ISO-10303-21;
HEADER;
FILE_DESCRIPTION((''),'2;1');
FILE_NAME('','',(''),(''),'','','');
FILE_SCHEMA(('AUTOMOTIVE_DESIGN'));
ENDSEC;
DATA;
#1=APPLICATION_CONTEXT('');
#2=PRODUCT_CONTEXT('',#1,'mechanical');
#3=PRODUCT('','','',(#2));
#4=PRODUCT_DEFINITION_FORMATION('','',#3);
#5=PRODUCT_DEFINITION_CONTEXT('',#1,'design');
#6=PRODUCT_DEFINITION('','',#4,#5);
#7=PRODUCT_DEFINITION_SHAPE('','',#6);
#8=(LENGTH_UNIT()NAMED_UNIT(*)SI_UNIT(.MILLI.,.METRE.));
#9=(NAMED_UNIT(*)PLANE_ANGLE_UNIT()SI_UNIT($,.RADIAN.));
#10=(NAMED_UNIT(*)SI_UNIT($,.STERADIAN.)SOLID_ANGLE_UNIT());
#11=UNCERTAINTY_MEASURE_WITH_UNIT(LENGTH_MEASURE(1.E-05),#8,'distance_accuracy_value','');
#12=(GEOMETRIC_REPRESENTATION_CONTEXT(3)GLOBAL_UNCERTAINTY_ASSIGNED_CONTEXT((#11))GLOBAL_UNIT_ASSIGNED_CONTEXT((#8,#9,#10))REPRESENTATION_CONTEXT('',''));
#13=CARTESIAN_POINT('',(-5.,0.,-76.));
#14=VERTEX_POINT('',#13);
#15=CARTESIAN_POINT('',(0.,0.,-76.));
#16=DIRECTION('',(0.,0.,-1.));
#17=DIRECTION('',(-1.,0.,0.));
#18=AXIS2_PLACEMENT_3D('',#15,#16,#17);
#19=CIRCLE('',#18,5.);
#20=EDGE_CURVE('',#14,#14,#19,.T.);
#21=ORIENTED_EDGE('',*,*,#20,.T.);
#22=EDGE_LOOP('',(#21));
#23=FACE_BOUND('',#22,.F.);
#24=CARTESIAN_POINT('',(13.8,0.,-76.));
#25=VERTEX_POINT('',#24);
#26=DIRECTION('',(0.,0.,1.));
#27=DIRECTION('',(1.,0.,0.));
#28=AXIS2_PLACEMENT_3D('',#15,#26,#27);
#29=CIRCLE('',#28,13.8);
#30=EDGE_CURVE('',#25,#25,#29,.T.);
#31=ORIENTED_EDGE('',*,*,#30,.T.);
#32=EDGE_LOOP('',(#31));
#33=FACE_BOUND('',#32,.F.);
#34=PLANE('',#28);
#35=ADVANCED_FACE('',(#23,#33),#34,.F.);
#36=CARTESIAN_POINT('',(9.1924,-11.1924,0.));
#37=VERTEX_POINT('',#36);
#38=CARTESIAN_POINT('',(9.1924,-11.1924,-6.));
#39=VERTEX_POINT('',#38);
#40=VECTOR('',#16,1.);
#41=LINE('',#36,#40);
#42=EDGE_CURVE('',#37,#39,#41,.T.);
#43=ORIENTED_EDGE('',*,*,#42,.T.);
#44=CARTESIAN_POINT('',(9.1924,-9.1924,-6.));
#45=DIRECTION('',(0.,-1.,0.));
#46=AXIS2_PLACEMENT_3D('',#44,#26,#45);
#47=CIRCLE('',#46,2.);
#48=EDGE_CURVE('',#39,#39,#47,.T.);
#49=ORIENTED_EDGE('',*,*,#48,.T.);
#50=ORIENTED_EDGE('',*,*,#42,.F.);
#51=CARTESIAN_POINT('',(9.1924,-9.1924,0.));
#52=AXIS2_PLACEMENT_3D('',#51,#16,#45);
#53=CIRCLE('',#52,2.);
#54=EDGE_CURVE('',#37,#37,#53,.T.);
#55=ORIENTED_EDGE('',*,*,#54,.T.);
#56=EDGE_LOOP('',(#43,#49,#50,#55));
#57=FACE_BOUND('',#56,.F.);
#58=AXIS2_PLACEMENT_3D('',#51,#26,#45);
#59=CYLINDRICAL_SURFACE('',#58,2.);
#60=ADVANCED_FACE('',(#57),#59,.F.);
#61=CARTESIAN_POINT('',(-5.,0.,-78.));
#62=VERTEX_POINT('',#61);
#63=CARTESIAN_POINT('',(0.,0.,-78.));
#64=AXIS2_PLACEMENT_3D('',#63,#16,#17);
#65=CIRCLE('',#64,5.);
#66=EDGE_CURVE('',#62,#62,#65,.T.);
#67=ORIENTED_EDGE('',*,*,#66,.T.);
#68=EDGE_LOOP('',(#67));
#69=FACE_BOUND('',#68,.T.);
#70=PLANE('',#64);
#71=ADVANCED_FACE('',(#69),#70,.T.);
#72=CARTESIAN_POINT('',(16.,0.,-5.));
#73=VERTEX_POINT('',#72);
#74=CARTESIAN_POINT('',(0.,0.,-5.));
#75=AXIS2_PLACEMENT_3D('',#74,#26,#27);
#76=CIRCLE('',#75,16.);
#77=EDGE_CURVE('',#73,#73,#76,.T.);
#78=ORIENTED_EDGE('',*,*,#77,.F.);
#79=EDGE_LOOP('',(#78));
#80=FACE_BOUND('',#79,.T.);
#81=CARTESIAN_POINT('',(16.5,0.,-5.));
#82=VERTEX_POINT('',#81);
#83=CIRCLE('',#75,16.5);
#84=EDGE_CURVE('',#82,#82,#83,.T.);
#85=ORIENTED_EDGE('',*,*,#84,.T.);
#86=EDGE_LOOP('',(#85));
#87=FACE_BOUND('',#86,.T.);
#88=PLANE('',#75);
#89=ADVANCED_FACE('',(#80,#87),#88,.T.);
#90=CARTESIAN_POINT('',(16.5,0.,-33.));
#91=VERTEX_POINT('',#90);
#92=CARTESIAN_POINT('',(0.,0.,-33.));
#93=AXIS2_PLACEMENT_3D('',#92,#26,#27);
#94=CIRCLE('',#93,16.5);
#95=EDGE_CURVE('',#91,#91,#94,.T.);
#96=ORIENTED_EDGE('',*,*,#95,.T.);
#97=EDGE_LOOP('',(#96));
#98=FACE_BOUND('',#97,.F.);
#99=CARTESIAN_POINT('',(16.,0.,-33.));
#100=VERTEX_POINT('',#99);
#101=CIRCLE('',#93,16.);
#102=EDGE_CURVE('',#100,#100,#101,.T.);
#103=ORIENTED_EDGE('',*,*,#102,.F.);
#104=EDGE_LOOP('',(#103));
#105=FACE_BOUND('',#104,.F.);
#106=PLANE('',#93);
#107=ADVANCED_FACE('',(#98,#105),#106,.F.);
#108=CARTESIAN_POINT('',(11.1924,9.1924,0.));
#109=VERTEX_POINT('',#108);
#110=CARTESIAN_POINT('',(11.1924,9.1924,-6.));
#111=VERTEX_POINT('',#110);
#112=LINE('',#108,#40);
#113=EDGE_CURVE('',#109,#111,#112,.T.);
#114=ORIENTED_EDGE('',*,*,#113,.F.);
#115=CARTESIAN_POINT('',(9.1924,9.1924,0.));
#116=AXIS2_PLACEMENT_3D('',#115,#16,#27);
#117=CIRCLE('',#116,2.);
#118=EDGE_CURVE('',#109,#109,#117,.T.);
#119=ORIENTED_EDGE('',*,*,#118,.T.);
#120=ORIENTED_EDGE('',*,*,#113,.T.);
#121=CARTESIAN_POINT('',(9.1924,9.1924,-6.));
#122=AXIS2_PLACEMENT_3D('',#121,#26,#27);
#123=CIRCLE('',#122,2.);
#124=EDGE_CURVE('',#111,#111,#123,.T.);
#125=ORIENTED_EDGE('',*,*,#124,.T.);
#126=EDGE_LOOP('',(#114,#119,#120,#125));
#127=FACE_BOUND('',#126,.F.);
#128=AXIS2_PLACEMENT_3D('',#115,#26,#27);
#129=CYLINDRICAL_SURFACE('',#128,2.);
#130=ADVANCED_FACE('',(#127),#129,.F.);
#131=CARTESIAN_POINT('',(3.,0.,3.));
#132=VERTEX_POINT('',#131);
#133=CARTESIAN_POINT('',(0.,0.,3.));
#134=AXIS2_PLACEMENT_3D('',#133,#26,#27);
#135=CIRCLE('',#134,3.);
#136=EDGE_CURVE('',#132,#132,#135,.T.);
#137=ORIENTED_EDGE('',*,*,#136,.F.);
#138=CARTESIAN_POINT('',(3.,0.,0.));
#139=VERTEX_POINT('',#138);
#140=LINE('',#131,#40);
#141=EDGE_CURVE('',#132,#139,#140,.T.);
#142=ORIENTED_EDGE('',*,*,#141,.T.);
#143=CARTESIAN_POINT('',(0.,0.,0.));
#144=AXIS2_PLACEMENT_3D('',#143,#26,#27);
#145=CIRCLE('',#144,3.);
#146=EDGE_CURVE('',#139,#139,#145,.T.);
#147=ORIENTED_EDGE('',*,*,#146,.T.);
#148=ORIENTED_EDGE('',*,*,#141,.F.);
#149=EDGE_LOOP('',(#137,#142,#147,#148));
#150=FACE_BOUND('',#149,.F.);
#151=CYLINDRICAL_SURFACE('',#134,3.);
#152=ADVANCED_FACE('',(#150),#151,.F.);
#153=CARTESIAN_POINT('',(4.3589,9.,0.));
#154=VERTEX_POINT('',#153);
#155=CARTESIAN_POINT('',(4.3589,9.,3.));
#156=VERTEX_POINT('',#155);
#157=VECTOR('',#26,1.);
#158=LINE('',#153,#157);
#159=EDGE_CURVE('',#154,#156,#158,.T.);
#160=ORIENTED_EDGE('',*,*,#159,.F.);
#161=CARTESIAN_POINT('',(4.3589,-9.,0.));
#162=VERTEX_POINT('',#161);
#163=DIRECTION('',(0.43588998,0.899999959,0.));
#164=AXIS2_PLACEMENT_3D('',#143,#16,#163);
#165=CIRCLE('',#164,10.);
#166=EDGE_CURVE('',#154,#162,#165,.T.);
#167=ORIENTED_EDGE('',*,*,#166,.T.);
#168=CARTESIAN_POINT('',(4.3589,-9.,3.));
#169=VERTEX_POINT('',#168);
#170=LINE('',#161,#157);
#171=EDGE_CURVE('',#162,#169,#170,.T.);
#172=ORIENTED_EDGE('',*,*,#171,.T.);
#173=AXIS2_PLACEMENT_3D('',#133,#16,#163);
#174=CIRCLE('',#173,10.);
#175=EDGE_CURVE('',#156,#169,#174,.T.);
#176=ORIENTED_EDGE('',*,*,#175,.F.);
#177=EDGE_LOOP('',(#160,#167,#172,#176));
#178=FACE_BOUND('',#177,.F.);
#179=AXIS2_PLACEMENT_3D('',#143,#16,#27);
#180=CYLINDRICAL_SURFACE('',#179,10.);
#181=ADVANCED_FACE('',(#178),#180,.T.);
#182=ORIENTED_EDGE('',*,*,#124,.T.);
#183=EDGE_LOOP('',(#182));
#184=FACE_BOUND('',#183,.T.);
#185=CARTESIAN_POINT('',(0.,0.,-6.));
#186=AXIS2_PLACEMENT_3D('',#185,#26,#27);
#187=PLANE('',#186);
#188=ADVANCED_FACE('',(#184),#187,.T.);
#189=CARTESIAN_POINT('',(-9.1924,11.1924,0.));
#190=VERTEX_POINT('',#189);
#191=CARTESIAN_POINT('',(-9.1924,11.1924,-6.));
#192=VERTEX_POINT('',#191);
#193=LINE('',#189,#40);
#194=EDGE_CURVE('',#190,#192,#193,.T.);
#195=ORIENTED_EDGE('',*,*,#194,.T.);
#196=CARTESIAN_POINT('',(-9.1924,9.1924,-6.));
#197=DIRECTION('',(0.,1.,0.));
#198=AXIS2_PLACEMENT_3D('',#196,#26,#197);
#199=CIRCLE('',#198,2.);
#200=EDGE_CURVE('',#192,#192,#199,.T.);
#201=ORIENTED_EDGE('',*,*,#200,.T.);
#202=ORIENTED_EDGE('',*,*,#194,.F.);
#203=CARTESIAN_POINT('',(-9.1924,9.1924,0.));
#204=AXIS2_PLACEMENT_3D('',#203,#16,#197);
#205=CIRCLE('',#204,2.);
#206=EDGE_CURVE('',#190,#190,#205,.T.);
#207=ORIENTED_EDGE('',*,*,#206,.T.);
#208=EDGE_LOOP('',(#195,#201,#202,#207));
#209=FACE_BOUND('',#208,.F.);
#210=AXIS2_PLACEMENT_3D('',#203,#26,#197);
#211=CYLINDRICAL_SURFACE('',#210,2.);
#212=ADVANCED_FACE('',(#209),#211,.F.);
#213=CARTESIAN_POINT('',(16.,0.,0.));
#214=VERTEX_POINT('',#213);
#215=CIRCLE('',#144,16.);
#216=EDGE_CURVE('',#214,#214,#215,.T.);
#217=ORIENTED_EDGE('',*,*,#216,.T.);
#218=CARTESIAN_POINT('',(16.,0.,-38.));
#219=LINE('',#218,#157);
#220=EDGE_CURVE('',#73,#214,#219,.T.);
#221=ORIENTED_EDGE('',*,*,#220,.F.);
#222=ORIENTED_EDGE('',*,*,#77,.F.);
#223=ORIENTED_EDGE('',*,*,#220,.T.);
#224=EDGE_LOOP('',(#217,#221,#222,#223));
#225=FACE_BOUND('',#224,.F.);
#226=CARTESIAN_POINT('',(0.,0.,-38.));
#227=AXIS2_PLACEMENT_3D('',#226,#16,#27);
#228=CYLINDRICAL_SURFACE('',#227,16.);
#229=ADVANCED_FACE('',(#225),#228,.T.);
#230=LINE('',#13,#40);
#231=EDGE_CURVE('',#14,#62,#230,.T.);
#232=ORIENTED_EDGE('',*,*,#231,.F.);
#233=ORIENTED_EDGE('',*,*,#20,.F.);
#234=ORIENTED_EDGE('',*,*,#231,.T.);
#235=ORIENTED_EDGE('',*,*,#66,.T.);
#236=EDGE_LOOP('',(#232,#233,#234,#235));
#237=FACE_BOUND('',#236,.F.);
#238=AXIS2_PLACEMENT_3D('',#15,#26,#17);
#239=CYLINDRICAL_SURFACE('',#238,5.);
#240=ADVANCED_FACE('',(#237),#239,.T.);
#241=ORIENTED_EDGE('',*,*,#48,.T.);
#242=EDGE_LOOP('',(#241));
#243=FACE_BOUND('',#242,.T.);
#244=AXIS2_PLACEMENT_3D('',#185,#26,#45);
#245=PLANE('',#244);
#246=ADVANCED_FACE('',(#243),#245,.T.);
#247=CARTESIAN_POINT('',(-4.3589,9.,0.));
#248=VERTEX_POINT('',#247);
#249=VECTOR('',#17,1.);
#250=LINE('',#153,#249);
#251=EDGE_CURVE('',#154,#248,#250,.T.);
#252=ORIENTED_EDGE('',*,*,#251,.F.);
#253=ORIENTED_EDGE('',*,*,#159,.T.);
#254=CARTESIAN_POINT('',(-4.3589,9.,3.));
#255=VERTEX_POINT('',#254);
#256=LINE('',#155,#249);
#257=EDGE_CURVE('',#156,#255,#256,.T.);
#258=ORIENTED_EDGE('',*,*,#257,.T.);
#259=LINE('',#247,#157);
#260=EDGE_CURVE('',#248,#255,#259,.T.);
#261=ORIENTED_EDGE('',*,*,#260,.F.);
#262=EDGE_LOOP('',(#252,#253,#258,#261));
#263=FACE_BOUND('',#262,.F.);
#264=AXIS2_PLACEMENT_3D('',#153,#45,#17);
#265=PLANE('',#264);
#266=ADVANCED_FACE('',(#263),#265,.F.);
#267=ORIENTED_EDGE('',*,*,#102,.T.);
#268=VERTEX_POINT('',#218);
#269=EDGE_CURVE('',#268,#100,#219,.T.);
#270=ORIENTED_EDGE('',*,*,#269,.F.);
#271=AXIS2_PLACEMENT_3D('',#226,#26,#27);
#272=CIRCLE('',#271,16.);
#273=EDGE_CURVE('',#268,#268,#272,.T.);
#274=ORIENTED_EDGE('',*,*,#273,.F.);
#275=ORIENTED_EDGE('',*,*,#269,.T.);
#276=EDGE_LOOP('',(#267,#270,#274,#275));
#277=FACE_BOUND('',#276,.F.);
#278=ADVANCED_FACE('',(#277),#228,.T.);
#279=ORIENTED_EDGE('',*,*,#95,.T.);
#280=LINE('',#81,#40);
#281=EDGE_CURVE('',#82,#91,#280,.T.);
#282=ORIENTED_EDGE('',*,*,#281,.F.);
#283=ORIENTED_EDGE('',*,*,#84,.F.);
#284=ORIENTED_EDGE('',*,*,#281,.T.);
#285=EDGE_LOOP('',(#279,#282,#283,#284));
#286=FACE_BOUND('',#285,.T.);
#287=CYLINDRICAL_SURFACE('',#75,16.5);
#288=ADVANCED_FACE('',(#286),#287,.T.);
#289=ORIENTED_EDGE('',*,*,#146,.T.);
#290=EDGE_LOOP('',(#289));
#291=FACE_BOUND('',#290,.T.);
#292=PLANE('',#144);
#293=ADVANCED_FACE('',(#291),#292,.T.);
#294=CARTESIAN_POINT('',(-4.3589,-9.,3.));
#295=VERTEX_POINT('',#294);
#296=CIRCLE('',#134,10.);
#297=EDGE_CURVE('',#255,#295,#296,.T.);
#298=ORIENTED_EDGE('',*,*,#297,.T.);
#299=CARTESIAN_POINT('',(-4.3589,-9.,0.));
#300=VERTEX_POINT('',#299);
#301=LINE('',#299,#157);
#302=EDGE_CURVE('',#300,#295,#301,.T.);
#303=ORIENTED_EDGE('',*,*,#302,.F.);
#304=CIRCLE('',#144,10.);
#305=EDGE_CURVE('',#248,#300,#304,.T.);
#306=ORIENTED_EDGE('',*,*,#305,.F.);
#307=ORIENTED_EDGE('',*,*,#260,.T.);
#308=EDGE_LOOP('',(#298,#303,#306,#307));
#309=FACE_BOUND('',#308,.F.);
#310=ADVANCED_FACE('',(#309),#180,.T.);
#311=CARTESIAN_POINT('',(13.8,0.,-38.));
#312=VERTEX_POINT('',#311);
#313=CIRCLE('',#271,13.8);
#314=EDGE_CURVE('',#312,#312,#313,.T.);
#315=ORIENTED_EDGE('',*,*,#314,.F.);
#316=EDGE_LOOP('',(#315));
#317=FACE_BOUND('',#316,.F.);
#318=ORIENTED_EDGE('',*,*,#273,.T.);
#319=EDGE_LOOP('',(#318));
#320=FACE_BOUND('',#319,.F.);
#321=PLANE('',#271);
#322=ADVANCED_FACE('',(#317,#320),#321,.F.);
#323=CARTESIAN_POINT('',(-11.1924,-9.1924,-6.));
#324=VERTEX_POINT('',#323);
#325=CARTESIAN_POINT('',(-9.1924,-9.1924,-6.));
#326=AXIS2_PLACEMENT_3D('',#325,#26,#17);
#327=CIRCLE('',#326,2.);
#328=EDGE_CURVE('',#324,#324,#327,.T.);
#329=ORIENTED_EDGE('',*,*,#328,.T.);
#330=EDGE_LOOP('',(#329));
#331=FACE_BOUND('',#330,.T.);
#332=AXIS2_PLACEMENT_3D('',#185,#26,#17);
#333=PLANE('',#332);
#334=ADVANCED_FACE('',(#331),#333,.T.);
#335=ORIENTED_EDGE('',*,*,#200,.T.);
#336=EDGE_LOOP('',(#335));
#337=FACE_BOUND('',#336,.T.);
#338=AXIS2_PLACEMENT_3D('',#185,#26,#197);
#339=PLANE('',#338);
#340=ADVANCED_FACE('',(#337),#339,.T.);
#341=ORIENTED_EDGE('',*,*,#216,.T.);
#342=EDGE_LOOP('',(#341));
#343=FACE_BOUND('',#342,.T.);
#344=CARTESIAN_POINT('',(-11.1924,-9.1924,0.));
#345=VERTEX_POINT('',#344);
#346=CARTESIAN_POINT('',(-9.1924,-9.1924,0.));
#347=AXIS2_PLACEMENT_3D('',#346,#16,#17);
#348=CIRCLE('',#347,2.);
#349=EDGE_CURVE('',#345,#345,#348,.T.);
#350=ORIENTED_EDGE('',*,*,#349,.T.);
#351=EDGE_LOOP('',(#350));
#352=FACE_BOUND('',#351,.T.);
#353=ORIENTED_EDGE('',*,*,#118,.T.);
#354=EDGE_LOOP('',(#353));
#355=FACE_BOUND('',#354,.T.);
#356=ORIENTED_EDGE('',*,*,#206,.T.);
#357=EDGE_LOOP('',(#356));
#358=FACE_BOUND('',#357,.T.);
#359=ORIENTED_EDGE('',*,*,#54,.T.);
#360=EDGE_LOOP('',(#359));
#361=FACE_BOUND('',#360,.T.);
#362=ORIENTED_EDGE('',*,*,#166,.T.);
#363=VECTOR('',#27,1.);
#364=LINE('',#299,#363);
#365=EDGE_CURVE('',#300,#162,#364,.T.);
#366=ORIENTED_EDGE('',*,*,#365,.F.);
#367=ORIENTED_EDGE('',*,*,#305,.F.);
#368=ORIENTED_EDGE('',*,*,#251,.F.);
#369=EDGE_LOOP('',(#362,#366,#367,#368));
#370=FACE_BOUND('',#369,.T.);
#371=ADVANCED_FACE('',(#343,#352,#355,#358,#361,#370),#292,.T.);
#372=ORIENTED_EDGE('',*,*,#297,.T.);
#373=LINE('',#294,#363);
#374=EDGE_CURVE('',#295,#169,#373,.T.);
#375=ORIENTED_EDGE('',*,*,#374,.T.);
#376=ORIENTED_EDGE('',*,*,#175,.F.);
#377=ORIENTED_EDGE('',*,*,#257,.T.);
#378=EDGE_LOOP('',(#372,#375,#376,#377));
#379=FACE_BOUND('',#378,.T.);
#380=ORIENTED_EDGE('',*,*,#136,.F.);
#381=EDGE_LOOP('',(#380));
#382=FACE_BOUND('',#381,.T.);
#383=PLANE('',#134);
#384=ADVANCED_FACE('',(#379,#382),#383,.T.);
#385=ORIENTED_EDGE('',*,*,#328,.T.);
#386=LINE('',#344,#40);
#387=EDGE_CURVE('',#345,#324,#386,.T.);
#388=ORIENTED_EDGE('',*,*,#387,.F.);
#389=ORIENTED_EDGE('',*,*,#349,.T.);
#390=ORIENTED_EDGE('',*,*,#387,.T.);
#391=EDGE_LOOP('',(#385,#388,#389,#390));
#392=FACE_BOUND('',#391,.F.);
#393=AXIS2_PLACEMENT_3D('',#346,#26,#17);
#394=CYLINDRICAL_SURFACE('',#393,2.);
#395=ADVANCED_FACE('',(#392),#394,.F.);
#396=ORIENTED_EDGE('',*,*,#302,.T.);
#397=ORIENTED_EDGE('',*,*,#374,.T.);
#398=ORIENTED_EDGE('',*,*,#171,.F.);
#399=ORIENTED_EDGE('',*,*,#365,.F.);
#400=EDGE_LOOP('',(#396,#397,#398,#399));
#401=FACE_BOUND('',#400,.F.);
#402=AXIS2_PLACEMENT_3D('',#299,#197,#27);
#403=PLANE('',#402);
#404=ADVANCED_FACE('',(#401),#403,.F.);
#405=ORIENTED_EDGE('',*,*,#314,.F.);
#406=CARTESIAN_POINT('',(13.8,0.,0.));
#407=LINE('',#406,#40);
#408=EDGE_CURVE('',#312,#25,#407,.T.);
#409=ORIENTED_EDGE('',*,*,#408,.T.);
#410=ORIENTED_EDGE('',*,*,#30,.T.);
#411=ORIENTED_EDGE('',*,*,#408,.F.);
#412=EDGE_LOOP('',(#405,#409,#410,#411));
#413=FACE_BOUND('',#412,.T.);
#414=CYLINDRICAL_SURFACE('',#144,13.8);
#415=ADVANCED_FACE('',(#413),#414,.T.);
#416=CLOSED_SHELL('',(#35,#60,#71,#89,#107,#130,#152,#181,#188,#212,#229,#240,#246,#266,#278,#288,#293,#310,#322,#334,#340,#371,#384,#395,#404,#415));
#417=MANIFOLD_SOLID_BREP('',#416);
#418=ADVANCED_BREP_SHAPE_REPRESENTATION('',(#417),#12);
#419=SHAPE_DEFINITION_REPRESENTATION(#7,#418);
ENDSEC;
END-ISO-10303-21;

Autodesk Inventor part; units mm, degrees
sketch "Sketch1" plane through (0, 0, 0) normal (0, 0, 1) x (1, 0, 0)
  circle A0 centre (0, 0) radius 13.8
  dimension "d0" = 27.6
extrude "Extrusion1" add sketch "Sketch1" against normal blind 76
ref_plane "Work Plane1" through (0, 0, -38) normal (0, 0, 1) x (1, 0, 0)
sketch "Sketch2" plane through (0, 0, -38) normal (0, 0, 1) x (1, 0, 0)
  circle A0 centre (0, 0) radius 13.8 projected
  circle A1 centre (0, 0) radius 16
  dimension "d4" = 32
extrude "Extrusion2" add sketch "Sketch2" along normal blind 38
sketch "Sketch3" plane through (0, 0, -76) normal (0, 0, -1) x (-1, 0, 0)
  circle A0 centre (0, 0) radius 5
  dimension "d7" = 10
extrude "Extrusion3" add sketch "Sketch3" along normal blind 2
sketch "Sketch4" plane through (0, 0, 0) normal (0, 0, 1) x (1, 0, 0)
  circle A0 centre (0, 0) radius 5 projected
  circle A1 centre (0, 0) radius 10
  line L0 (-4.3589, -9) -> (4.3589, -9)
  line L1 (4.3589, -9) -> (4.3589, 9)
  line L2 (4.3589, 9) -> (-4.3589, 9)
  line L3 (-4.3589, 9) -> (-4.3589, -9)
  line L4 (-4.3589, -9) -> (4.3589, 9) construction
  line L5 (4.3589, -9) -> (-4.3589, 9) construction
  dimension "d10" = 20
  dimension "d11" = 18
extrude "Extrusion4" add sketch "Sketch4" along normal blind 3 contours A0 L1 | A0 L1 A1 | L1 A0 L3 | A0 L3 L2 L1 | L1 L0 L3 A0 | L3 A0 | A0 L3 A1
sketch "Sketch5" plane through (0, 0, 3) normal (0, 0, 1) x (1, 0, 0)
  circle A0 centre (0, 0) radius 3
  dimension "d14" = 6
extrude "Extrusion5" cut sketch "Sketch5" against normal blind 3
sketch "Sketch6" plane through (0, 0, 0) normal (0, 0, 1) x (1, 0, 0)
  circle A0 centre (0, 0) radius 3 projected
  circle A1 centre (0, 0) radius 13
  line L0 (0, 0) -> (9.1924, 9.1924)
  line L1 (0, 0) -> (13, 0) construction
  circle A2 centre (9.1924, 9.1924) radius 2
  dimension "d17" = 26
  dimension "d18" = 45
  dimension "d19" = 4
extrude "Extrusion6" cut sketch "Sketch6" against normal blind 6 contours A2 A1 L0 | L0 A1 A2 | A1 A2 picked at (9.9348, 9.3429)
pattern_circular "Circular Pattern1" count 4 over 360 about axis through (0, 0, -38) along (0, 0, 1) of "Extrusion6"
ref_plane "Work Plane2" through (0, 0, -5) normal (0, 0, 1) x (1, 0, 0)
ref_plane "Work Plane3" through (0, 0, -33) normal (0, 0, -1) x (-1, 0, 0)
sketch "Sketch7" plane through (0, 0, -5) normal (0, 0, 1) x (1, 0, 0)
  circle A0 centre (9.1924, -9.1924) radius 2 projected
  circle A1 centre (-9.1924, -9.1924) radius 2 projected
  circle A2 centre (-9.1924, 9.1924) radius 2 projected
  circle A3 centre (9.1924, 9.1924) radius 2 projected
  line L0 (4.3589, -9) -> (-4.3589, -9) projected
  arc A4 (-4.3589, 9) -> (-4.3589, -9) centre (0, 0) ccw projected
  line L1 (-4.3589, 9) -> (4.3589, 9) projected
  arc A5 (4.3589, -9) -> (4.3589, 9) centre (0, 0) ccw projected
  circle A6 centre (0, 0) radius 16 projected
  circle A7 centre (0, 0) radius 3 projected
  circle A8 centre (0, 0) radius 16.5
  dimension "d27" = 33
extrude "Extrusion7" add sketch "Sketch7" against normal up to surface (28 mm away) contours A8
thread "Thread1" size "M4x0.7" class "6H" standard "ANSI Metric M Profile" length 60
thread "Thread2" size "M4x0.7" class "6H" standard "ANSI Metric M Profile" length 60
thread "Thread3" size "M4x0.7" class "6H" standard "ANSI Metric M Profile" length 60
thread "Thread4" size "M4x0.7" class "6H" standard "ANSI Metric M Profile" length 60
properties part number "motor_body" material "Steel, Mild"
